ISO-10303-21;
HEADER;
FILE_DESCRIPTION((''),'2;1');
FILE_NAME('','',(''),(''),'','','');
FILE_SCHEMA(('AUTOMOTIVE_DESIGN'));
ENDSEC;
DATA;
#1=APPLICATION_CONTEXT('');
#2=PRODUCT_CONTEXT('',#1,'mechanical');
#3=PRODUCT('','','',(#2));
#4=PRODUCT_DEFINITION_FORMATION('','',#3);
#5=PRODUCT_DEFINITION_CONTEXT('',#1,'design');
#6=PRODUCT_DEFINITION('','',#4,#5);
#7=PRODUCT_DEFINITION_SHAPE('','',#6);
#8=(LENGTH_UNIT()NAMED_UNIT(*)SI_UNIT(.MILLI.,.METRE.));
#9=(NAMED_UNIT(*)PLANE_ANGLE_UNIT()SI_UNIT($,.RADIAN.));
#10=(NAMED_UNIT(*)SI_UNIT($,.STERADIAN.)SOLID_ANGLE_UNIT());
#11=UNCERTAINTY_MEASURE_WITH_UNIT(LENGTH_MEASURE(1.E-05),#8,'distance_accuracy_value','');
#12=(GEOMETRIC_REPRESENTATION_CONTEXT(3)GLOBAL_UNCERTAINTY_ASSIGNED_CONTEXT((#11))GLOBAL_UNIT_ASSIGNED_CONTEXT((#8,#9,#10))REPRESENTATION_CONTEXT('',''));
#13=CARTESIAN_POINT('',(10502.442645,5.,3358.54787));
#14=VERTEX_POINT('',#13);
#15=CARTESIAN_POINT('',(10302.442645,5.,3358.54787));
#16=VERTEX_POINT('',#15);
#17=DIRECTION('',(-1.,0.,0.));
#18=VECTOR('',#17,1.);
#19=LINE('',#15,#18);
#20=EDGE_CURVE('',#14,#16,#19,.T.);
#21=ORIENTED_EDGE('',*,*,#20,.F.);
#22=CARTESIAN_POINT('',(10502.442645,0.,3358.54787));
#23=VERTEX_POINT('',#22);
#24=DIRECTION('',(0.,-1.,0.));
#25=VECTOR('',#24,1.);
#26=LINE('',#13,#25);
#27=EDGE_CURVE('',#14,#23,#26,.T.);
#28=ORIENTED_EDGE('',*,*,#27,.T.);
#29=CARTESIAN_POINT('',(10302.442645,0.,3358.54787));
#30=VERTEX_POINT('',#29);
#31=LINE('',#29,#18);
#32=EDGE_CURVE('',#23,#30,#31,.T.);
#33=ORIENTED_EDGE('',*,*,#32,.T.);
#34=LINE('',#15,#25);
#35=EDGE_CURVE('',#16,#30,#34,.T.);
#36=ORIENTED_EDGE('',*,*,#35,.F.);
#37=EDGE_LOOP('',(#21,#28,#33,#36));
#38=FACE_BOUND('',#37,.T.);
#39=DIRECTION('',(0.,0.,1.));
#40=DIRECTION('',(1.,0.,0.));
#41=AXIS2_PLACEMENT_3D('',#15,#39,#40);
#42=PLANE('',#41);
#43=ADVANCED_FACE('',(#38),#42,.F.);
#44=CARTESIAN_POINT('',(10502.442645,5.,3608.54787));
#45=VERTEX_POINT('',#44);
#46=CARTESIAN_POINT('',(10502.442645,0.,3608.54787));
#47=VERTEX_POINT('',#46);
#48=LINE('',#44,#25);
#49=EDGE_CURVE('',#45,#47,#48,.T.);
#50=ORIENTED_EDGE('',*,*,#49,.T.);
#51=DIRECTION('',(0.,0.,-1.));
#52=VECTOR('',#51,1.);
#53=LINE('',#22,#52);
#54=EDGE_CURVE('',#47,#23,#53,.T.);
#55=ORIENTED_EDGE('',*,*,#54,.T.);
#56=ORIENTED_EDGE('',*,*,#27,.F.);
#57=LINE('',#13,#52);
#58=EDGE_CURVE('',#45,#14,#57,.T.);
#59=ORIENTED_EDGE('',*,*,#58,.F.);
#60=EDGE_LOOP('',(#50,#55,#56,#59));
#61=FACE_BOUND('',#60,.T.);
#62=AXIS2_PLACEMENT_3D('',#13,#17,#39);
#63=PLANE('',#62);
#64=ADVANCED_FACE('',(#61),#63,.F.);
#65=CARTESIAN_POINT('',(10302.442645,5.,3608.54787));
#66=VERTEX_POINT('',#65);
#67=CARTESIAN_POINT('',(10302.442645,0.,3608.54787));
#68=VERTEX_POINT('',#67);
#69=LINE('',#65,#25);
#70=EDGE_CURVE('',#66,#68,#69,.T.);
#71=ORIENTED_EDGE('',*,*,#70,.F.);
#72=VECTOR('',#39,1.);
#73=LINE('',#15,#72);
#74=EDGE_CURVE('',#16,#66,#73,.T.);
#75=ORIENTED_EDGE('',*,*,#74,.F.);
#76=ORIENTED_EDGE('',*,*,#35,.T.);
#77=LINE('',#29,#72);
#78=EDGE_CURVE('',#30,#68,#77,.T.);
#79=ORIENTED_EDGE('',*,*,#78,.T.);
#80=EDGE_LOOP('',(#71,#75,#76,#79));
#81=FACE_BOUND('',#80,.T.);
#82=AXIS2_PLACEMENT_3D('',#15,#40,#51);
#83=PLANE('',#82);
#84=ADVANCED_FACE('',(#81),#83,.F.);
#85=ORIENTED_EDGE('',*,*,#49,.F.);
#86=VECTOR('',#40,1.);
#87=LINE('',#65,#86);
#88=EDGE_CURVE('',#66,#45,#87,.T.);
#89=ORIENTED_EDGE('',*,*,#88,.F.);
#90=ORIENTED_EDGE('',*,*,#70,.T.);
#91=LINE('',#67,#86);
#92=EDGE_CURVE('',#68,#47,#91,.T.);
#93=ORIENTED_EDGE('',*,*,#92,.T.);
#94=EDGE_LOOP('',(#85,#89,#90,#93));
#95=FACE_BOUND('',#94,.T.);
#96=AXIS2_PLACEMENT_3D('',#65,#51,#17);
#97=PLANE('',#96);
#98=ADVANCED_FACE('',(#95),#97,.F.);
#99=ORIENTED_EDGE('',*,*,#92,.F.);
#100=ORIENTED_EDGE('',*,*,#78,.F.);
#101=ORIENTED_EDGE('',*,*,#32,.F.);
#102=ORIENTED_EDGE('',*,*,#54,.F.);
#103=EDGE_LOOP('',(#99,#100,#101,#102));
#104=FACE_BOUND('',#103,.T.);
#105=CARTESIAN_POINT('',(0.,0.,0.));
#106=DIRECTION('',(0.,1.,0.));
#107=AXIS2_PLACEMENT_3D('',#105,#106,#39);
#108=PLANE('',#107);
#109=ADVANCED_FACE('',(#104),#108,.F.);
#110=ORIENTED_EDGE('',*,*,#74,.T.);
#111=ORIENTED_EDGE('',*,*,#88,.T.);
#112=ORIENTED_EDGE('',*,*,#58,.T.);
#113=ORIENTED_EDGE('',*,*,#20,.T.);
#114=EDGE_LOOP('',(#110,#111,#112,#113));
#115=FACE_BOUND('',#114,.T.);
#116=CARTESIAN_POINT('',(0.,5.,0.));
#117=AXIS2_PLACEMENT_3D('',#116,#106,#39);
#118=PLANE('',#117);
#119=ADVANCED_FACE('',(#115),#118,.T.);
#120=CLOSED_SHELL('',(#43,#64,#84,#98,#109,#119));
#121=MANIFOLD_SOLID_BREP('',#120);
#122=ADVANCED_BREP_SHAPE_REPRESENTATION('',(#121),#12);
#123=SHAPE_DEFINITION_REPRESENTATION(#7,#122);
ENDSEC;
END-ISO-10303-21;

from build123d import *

# Parameters (mm, degrees)
SKETCH1_W           = 200
SKETCH1_H           = 250
BOSS_EXTRUDE1_DEPTH = 5


with BuildPart() as part:
    # Sketch1 → Boss-Extrude1 (new body)
    with BuildSketch(Plane(origin=(0, 0, 0), x_dir=(1, 0, 0), z_dir=(0, 1, 0))):
        with Locations((10402.442645447, -3483.547869862)):
            Rectangle(SKETCH1_W, SKETCH1_H)
    extrude(amount=BOSS_EXTRUDE1_DEPTH)


solid = part.part
